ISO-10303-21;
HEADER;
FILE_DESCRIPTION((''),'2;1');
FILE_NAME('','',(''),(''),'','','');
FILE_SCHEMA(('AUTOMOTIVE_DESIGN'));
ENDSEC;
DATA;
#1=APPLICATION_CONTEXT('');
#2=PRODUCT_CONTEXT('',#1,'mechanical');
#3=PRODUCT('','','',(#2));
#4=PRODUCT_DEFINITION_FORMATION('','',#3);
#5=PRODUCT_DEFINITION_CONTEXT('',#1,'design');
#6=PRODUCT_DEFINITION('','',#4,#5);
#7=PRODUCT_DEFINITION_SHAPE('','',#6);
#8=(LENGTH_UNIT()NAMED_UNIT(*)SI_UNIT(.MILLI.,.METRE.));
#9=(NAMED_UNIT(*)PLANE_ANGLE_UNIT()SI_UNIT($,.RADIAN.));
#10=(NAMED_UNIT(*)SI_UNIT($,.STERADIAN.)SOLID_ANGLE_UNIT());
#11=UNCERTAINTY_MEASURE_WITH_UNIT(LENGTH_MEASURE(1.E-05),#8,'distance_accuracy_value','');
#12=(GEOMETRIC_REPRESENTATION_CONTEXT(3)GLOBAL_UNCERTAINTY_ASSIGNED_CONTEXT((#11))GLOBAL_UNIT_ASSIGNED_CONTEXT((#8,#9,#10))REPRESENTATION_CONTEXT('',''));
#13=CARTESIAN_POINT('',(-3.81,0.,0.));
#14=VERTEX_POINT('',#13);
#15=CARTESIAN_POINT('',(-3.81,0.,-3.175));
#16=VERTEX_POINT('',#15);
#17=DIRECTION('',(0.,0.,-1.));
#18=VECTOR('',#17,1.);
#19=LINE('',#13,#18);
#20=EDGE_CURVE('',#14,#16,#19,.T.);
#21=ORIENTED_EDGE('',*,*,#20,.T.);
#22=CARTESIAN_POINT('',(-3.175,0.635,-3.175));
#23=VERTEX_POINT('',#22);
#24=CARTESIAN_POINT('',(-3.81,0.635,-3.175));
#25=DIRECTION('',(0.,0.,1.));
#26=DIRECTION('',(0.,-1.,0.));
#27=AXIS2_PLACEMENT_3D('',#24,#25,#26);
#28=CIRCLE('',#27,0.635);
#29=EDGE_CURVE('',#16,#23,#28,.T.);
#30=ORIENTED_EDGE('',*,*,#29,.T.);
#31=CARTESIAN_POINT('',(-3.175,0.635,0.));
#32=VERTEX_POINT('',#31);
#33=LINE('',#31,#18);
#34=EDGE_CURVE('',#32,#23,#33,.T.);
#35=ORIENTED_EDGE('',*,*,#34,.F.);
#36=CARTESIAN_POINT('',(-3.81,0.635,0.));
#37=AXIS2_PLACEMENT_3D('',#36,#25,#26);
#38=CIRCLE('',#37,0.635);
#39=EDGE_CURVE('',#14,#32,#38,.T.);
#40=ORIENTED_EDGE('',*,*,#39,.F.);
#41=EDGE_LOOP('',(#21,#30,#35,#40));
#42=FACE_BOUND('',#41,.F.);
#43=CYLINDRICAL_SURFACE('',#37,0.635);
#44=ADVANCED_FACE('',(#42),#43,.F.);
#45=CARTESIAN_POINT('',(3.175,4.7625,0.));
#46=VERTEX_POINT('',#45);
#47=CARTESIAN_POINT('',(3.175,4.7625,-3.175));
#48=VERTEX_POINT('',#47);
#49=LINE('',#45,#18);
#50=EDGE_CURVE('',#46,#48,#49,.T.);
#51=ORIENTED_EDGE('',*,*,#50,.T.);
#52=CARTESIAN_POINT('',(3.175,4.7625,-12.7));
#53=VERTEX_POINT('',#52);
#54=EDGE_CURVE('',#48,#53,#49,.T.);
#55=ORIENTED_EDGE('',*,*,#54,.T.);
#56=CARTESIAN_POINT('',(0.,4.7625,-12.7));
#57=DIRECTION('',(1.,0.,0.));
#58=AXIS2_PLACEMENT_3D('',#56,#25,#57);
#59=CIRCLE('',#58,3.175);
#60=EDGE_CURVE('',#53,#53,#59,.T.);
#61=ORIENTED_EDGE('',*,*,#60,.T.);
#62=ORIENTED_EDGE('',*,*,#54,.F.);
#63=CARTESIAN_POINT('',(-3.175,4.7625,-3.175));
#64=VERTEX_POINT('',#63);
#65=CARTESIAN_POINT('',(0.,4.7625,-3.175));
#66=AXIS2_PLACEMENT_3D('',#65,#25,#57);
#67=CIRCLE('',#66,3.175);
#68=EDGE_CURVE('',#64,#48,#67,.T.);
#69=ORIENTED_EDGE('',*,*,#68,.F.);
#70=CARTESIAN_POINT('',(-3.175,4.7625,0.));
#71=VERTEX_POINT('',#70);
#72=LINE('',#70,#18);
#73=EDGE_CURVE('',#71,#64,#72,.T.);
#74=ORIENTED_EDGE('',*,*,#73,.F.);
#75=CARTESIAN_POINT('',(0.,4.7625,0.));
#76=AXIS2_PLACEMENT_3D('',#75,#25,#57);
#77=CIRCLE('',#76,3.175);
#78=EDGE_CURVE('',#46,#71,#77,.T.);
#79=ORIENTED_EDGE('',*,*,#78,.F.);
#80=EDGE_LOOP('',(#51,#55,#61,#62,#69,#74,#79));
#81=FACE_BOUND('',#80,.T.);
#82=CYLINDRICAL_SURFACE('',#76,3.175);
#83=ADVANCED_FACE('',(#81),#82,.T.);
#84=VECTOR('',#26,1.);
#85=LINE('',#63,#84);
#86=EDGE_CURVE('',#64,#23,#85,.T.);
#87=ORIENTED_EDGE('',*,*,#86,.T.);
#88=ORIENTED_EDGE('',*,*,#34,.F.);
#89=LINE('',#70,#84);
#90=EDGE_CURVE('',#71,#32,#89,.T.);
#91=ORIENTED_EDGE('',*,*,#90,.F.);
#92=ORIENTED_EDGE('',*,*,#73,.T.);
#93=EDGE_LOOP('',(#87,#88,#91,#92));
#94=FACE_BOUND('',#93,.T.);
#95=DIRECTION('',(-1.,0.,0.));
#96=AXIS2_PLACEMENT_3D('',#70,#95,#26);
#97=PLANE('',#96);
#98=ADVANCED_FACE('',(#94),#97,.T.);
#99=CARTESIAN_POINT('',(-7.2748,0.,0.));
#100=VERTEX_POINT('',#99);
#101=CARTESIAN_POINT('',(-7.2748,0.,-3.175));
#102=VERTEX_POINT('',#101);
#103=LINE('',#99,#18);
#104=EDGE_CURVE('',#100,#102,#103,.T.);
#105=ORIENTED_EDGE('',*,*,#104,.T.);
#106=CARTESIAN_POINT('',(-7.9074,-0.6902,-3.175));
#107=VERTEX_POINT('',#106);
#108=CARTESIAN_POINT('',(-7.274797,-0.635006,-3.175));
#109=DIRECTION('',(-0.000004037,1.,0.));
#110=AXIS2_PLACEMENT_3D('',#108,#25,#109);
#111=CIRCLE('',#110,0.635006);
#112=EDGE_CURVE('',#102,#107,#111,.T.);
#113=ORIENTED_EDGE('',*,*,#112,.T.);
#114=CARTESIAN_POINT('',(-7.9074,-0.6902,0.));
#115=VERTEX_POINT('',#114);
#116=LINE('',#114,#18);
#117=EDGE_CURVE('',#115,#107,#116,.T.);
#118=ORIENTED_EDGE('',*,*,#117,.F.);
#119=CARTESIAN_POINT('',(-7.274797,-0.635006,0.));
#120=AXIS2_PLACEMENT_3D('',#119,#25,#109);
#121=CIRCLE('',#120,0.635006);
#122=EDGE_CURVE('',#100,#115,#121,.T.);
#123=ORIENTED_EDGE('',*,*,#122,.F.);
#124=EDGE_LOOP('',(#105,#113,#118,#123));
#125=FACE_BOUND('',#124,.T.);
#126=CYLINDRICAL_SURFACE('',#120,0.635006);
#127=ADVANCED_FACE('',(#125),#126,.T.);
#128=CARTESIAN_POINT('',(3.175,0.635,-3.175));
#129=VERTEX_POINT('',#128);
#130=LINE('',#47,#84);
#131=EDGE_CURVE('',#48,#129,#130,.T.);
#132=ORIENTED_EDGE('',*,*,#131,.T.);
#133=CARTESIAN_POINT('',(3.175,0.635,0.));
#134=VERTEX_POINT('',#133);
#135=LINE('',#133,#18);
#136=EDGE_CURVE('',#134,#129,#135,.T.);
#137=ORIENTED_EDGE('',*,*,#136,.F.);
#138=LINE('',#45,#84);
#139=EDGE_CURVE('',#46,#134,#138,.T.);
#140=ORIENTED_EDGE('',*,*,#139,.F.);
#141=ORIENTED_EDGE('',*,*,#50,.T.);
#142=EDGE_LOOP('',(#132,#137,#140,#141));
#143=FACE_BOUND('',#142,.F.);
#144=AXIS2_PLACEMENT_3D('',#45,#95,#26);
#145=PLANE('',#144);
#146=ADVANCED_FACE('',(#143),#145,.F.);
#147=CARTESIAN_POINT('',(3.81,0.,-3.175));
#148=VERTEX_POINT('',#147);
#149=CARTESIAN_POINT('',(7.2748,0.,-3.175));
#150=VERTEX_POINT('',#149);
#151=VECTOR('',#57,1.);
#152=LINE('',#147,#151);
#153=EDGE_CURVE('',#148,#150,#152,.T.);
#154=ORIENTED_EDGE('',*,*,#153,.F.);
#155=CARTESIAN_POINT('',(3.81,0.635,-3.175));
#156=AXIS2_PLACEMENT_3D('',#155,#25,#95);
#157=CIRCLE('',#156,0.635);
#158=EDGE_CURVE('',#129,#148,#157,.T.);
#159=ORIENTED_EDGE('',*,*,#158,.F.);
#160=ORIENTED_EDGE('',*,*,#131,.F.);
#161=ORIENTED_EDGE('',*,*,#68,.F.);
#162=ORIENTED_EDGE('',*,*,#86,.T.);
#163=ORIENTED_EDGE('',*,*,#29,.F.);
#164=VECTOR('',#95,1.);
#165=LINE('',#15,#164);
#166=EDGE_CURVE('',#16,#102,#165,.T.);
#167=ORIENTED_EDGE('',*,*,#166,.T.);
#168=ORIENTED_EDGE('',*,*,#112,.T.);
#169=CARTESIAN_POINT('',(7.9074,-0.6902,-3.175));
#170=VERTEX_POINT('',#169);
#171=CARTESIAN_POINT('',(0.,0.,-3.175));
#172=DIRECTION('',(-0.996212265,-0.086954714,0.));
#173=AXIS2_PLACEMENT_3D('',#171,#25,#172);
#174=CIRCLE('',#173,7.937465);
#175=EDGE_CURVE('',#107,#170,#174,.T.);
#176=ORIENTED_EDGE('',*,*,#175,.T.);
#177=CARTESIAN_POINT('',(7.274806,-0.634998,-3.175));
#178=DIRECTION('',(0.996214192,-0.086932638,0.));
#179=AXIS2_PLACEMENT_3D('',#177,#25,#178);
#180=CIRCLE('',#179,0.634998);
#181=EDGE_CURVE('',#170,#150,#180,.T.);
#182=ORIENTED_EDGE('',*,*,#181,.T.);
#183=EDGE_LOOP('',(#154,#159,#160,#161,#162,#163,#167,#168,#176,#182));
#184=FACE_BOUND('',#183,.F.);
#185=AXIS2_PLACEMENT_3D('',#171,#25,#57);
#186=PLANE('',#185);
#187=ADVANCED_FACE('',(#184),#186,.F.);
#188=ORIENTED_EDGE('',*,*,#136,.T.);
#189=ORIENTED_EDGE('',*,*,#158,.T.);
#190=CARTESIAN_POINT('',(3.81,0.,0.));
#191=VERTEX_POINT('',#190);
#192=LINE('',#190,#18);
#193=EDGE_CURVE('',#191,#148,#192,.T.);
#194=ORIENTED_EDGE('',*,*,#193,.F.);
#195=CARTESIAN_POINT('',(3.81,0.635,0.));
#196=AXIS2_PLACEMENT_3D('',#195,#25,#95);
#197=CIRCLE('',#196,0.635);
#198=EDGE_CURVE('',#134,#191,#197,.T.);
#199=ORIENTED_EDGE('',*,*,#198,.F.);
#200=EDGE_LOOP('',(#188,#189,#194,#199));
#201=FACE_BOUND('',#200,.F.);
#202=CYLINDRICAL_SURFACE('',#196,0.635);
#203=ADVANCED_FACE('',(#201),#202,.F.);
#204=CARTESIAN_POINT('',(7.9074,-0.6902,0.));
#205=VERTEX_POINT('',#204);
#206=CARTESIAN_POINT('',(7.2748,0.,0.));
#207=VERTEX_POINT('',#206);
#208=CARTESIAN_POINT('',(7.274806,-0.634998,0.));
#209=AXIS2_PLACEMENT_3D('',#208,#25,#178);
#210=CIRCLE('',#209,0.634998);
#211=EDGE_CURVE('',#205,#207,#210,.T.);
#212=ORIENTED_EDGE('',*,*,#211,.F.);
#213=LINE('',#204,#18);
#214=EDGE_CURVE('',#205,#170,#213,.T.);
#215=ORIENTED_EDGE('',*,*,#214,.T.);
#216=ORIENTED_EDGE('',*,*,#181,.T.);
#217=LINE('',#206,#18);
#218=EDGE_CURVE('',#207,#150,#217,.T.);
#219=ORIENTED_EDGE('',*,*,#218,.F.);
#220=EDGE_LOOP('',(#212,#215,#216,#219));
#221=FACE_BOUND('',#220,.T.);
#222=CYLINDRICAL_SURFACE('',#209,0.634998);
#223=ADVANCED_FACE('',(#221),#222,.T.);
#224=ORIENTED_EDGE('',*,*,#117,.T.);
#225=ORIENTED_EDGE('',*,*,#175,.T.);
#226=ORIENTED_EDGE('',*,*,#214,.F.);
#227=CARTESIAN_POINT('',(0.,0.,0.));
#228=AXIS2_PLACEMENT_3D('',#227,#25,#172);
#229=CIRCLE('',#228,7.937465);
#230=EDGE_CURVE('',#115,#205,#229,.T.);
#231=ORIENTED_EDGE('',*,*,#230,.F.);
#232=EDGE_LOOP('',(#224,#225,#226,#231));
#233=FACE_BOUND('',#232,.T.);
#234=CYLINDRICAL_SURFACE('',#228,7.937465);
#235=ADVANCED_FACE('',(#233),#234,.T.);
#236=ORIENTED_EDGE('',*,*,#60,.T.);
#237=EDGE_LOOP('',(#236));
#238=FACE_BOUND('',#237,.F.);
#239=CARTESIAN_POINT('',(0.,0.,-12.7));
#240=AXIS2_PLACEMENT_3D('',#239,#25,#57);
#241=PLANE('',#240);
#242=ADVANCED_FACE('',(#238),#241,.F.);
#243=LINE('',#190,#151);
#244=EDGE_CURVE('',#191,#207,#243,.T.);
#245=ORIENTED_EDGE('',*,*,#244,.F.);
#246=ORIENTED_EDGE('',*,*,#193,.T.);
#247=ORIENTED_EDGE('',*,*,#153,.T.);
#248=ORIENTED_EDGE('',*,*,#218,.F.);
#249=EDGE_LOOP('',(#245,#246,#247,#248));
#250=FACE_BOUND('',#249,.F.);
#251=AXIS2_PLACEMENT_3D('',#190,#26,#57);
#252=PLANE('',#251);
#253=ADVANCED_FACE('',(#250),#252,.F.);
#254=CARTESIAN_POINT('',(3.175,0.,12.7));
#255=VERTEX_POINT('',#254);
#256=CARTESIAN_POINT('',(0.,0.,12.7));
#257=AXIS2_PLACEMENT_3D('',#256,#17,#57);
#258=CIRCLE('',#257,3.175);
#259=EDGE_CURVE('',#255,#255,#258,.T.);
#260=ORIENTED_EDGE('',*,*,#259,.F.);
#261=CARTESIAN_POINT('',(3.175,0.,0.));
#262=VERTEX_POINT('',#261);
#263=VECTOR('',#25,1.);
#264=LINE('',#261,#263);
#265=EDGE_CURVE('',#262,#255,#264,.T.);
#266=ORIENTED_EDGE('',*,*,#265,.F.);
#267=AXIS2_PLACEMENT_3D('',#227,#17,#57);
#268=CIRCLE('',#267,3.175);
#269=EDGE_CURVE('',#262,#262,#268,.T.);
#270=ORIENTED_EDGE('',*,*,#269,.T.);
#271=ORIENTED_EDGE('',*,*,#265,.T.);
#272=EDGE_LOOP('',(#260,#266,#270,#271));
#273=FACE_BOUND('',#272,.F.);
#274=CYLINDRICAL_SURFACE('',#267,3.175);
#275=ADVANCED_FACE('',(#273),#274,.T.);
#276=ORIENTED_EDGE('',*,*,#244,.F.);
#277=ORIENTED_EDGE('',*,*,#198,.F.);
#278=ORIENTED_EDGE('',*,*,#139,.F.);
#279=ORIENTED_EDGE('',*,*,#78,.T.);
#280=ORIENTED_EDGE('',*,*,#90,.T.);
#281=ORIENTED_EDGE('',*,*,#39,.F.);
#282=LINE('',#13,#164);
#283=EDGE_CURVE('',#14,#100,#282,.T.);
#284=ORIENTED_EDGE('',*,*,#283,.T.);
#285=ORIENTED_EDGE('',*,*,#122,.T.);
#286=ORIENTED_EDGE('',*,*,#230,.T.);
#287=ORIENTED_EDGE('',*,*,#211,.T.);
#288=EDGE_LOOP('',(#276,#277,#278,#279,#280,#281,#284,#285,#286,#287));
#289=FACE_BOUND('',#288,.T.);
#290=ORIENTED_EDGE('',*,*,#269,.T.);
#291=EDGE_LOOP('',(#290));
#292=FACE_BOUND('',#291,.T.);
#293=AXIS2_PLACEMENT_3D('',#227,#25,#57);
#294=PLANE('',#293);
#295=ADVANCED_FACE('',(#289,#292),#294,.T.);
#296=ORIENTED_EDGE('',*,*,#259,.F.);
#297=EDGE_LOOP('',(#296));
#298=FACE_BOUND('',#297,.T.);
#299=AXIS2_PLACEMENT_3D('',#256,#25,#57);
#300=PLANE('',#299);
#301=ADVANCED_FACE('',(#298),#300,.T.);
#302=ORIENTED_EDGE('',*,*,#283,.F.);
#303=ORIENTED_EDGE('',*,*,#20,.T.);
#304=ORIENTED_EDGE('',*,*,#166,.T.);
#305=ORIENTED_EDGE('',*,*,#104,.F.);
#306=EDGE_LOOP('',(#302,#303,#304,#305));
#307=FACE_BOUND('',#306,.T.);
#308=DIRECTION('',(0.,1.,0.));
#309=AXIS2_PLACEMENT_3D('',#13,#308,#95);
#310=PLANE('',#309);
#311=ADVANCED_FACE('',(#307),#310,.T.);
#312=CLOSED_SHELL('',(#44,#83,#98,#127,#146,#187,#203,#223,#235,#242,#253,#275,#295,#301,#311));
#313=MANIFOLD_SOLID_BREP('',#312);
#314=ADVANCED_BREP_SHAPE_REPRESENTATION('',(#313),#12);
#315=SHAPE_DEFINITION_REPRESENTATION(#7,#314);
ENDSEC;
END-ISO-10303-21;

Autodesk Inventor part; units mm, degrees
ref_plane "YZ Plane" through (0, 0, 0) normal (1, 0, 0) x (0, 1, 0)
ref_plane "XZ Plane" through (0, 0, 0) normal (0, 1, 0) x (-1, 0, 0)
ref_plane "XY Plane" through (0, 0, 0) normal (0, 0, 1) x (1, 0, 0)
sketch "Sketch1" plane through (0, 0, 0) normal (0, 0, 1) x (1, 0, 0)
  circle A0 centre (0, 4.7625) radius 3.175
  arc A1 (-7.9074, -0.6902) -> (7.9074, -0.6902) centre (0, 0) ccw
  line L0 (3.175, 4.7625) -> (3.175, 0.635)
  line L1 (3.81, 0) -> (7.2748, 0)
  line L2 (-3.175, 4.7625) -> (-3.175, 0.635)
  line L3 (-3.81, 0) -> (-7.2748, 0)
  arc A2 (-7.2748, 0) -> (-7.9074, -0.6902) centre (-7.2748, -0.635) ccw
  arc A3 (-3.81, 0) -> (-3.175, 0.635) centre (-3.81, 0.635) ccw
  arc A4 (3.175, 0.635) -> (3.81, 0) centre (3.81, 0.635) ccw
  arc A5 (7.9074, -0.6902) -> (7.2748, 0) centre (7.2748, -0.635) ccw
  circle A6 centre (0, 0) radius 3.175
  circle A7 centre (0, 4.7625) radius 3.175
  point P0 (-3.175, 0)
  point P1 (-7.9375, 0)
  point P2 (7.9375, 0)
  dimension "d2" = 0.635
  dimension "d3" = 0.635
  dimension "d4" = 6.35
extrude "Extrusion1" add sketch "Sketch1" along normal blind 12.7 contours A6 A0 | A0 A6 picked at (-0.105, -1.5684) picked at (-0.2525, 2.1472)
extrude "Extrusion2" add sketch "Sketch1" against normal blind 3.175
extrude "Extrusion3" add sketch "Sketch1" against normal blind 12.7 contours A0 A6 | A0 A6 picked at (0, 6.3346) picked at (-0.2525, 2.1472)
properties part number "Crankshaft"
